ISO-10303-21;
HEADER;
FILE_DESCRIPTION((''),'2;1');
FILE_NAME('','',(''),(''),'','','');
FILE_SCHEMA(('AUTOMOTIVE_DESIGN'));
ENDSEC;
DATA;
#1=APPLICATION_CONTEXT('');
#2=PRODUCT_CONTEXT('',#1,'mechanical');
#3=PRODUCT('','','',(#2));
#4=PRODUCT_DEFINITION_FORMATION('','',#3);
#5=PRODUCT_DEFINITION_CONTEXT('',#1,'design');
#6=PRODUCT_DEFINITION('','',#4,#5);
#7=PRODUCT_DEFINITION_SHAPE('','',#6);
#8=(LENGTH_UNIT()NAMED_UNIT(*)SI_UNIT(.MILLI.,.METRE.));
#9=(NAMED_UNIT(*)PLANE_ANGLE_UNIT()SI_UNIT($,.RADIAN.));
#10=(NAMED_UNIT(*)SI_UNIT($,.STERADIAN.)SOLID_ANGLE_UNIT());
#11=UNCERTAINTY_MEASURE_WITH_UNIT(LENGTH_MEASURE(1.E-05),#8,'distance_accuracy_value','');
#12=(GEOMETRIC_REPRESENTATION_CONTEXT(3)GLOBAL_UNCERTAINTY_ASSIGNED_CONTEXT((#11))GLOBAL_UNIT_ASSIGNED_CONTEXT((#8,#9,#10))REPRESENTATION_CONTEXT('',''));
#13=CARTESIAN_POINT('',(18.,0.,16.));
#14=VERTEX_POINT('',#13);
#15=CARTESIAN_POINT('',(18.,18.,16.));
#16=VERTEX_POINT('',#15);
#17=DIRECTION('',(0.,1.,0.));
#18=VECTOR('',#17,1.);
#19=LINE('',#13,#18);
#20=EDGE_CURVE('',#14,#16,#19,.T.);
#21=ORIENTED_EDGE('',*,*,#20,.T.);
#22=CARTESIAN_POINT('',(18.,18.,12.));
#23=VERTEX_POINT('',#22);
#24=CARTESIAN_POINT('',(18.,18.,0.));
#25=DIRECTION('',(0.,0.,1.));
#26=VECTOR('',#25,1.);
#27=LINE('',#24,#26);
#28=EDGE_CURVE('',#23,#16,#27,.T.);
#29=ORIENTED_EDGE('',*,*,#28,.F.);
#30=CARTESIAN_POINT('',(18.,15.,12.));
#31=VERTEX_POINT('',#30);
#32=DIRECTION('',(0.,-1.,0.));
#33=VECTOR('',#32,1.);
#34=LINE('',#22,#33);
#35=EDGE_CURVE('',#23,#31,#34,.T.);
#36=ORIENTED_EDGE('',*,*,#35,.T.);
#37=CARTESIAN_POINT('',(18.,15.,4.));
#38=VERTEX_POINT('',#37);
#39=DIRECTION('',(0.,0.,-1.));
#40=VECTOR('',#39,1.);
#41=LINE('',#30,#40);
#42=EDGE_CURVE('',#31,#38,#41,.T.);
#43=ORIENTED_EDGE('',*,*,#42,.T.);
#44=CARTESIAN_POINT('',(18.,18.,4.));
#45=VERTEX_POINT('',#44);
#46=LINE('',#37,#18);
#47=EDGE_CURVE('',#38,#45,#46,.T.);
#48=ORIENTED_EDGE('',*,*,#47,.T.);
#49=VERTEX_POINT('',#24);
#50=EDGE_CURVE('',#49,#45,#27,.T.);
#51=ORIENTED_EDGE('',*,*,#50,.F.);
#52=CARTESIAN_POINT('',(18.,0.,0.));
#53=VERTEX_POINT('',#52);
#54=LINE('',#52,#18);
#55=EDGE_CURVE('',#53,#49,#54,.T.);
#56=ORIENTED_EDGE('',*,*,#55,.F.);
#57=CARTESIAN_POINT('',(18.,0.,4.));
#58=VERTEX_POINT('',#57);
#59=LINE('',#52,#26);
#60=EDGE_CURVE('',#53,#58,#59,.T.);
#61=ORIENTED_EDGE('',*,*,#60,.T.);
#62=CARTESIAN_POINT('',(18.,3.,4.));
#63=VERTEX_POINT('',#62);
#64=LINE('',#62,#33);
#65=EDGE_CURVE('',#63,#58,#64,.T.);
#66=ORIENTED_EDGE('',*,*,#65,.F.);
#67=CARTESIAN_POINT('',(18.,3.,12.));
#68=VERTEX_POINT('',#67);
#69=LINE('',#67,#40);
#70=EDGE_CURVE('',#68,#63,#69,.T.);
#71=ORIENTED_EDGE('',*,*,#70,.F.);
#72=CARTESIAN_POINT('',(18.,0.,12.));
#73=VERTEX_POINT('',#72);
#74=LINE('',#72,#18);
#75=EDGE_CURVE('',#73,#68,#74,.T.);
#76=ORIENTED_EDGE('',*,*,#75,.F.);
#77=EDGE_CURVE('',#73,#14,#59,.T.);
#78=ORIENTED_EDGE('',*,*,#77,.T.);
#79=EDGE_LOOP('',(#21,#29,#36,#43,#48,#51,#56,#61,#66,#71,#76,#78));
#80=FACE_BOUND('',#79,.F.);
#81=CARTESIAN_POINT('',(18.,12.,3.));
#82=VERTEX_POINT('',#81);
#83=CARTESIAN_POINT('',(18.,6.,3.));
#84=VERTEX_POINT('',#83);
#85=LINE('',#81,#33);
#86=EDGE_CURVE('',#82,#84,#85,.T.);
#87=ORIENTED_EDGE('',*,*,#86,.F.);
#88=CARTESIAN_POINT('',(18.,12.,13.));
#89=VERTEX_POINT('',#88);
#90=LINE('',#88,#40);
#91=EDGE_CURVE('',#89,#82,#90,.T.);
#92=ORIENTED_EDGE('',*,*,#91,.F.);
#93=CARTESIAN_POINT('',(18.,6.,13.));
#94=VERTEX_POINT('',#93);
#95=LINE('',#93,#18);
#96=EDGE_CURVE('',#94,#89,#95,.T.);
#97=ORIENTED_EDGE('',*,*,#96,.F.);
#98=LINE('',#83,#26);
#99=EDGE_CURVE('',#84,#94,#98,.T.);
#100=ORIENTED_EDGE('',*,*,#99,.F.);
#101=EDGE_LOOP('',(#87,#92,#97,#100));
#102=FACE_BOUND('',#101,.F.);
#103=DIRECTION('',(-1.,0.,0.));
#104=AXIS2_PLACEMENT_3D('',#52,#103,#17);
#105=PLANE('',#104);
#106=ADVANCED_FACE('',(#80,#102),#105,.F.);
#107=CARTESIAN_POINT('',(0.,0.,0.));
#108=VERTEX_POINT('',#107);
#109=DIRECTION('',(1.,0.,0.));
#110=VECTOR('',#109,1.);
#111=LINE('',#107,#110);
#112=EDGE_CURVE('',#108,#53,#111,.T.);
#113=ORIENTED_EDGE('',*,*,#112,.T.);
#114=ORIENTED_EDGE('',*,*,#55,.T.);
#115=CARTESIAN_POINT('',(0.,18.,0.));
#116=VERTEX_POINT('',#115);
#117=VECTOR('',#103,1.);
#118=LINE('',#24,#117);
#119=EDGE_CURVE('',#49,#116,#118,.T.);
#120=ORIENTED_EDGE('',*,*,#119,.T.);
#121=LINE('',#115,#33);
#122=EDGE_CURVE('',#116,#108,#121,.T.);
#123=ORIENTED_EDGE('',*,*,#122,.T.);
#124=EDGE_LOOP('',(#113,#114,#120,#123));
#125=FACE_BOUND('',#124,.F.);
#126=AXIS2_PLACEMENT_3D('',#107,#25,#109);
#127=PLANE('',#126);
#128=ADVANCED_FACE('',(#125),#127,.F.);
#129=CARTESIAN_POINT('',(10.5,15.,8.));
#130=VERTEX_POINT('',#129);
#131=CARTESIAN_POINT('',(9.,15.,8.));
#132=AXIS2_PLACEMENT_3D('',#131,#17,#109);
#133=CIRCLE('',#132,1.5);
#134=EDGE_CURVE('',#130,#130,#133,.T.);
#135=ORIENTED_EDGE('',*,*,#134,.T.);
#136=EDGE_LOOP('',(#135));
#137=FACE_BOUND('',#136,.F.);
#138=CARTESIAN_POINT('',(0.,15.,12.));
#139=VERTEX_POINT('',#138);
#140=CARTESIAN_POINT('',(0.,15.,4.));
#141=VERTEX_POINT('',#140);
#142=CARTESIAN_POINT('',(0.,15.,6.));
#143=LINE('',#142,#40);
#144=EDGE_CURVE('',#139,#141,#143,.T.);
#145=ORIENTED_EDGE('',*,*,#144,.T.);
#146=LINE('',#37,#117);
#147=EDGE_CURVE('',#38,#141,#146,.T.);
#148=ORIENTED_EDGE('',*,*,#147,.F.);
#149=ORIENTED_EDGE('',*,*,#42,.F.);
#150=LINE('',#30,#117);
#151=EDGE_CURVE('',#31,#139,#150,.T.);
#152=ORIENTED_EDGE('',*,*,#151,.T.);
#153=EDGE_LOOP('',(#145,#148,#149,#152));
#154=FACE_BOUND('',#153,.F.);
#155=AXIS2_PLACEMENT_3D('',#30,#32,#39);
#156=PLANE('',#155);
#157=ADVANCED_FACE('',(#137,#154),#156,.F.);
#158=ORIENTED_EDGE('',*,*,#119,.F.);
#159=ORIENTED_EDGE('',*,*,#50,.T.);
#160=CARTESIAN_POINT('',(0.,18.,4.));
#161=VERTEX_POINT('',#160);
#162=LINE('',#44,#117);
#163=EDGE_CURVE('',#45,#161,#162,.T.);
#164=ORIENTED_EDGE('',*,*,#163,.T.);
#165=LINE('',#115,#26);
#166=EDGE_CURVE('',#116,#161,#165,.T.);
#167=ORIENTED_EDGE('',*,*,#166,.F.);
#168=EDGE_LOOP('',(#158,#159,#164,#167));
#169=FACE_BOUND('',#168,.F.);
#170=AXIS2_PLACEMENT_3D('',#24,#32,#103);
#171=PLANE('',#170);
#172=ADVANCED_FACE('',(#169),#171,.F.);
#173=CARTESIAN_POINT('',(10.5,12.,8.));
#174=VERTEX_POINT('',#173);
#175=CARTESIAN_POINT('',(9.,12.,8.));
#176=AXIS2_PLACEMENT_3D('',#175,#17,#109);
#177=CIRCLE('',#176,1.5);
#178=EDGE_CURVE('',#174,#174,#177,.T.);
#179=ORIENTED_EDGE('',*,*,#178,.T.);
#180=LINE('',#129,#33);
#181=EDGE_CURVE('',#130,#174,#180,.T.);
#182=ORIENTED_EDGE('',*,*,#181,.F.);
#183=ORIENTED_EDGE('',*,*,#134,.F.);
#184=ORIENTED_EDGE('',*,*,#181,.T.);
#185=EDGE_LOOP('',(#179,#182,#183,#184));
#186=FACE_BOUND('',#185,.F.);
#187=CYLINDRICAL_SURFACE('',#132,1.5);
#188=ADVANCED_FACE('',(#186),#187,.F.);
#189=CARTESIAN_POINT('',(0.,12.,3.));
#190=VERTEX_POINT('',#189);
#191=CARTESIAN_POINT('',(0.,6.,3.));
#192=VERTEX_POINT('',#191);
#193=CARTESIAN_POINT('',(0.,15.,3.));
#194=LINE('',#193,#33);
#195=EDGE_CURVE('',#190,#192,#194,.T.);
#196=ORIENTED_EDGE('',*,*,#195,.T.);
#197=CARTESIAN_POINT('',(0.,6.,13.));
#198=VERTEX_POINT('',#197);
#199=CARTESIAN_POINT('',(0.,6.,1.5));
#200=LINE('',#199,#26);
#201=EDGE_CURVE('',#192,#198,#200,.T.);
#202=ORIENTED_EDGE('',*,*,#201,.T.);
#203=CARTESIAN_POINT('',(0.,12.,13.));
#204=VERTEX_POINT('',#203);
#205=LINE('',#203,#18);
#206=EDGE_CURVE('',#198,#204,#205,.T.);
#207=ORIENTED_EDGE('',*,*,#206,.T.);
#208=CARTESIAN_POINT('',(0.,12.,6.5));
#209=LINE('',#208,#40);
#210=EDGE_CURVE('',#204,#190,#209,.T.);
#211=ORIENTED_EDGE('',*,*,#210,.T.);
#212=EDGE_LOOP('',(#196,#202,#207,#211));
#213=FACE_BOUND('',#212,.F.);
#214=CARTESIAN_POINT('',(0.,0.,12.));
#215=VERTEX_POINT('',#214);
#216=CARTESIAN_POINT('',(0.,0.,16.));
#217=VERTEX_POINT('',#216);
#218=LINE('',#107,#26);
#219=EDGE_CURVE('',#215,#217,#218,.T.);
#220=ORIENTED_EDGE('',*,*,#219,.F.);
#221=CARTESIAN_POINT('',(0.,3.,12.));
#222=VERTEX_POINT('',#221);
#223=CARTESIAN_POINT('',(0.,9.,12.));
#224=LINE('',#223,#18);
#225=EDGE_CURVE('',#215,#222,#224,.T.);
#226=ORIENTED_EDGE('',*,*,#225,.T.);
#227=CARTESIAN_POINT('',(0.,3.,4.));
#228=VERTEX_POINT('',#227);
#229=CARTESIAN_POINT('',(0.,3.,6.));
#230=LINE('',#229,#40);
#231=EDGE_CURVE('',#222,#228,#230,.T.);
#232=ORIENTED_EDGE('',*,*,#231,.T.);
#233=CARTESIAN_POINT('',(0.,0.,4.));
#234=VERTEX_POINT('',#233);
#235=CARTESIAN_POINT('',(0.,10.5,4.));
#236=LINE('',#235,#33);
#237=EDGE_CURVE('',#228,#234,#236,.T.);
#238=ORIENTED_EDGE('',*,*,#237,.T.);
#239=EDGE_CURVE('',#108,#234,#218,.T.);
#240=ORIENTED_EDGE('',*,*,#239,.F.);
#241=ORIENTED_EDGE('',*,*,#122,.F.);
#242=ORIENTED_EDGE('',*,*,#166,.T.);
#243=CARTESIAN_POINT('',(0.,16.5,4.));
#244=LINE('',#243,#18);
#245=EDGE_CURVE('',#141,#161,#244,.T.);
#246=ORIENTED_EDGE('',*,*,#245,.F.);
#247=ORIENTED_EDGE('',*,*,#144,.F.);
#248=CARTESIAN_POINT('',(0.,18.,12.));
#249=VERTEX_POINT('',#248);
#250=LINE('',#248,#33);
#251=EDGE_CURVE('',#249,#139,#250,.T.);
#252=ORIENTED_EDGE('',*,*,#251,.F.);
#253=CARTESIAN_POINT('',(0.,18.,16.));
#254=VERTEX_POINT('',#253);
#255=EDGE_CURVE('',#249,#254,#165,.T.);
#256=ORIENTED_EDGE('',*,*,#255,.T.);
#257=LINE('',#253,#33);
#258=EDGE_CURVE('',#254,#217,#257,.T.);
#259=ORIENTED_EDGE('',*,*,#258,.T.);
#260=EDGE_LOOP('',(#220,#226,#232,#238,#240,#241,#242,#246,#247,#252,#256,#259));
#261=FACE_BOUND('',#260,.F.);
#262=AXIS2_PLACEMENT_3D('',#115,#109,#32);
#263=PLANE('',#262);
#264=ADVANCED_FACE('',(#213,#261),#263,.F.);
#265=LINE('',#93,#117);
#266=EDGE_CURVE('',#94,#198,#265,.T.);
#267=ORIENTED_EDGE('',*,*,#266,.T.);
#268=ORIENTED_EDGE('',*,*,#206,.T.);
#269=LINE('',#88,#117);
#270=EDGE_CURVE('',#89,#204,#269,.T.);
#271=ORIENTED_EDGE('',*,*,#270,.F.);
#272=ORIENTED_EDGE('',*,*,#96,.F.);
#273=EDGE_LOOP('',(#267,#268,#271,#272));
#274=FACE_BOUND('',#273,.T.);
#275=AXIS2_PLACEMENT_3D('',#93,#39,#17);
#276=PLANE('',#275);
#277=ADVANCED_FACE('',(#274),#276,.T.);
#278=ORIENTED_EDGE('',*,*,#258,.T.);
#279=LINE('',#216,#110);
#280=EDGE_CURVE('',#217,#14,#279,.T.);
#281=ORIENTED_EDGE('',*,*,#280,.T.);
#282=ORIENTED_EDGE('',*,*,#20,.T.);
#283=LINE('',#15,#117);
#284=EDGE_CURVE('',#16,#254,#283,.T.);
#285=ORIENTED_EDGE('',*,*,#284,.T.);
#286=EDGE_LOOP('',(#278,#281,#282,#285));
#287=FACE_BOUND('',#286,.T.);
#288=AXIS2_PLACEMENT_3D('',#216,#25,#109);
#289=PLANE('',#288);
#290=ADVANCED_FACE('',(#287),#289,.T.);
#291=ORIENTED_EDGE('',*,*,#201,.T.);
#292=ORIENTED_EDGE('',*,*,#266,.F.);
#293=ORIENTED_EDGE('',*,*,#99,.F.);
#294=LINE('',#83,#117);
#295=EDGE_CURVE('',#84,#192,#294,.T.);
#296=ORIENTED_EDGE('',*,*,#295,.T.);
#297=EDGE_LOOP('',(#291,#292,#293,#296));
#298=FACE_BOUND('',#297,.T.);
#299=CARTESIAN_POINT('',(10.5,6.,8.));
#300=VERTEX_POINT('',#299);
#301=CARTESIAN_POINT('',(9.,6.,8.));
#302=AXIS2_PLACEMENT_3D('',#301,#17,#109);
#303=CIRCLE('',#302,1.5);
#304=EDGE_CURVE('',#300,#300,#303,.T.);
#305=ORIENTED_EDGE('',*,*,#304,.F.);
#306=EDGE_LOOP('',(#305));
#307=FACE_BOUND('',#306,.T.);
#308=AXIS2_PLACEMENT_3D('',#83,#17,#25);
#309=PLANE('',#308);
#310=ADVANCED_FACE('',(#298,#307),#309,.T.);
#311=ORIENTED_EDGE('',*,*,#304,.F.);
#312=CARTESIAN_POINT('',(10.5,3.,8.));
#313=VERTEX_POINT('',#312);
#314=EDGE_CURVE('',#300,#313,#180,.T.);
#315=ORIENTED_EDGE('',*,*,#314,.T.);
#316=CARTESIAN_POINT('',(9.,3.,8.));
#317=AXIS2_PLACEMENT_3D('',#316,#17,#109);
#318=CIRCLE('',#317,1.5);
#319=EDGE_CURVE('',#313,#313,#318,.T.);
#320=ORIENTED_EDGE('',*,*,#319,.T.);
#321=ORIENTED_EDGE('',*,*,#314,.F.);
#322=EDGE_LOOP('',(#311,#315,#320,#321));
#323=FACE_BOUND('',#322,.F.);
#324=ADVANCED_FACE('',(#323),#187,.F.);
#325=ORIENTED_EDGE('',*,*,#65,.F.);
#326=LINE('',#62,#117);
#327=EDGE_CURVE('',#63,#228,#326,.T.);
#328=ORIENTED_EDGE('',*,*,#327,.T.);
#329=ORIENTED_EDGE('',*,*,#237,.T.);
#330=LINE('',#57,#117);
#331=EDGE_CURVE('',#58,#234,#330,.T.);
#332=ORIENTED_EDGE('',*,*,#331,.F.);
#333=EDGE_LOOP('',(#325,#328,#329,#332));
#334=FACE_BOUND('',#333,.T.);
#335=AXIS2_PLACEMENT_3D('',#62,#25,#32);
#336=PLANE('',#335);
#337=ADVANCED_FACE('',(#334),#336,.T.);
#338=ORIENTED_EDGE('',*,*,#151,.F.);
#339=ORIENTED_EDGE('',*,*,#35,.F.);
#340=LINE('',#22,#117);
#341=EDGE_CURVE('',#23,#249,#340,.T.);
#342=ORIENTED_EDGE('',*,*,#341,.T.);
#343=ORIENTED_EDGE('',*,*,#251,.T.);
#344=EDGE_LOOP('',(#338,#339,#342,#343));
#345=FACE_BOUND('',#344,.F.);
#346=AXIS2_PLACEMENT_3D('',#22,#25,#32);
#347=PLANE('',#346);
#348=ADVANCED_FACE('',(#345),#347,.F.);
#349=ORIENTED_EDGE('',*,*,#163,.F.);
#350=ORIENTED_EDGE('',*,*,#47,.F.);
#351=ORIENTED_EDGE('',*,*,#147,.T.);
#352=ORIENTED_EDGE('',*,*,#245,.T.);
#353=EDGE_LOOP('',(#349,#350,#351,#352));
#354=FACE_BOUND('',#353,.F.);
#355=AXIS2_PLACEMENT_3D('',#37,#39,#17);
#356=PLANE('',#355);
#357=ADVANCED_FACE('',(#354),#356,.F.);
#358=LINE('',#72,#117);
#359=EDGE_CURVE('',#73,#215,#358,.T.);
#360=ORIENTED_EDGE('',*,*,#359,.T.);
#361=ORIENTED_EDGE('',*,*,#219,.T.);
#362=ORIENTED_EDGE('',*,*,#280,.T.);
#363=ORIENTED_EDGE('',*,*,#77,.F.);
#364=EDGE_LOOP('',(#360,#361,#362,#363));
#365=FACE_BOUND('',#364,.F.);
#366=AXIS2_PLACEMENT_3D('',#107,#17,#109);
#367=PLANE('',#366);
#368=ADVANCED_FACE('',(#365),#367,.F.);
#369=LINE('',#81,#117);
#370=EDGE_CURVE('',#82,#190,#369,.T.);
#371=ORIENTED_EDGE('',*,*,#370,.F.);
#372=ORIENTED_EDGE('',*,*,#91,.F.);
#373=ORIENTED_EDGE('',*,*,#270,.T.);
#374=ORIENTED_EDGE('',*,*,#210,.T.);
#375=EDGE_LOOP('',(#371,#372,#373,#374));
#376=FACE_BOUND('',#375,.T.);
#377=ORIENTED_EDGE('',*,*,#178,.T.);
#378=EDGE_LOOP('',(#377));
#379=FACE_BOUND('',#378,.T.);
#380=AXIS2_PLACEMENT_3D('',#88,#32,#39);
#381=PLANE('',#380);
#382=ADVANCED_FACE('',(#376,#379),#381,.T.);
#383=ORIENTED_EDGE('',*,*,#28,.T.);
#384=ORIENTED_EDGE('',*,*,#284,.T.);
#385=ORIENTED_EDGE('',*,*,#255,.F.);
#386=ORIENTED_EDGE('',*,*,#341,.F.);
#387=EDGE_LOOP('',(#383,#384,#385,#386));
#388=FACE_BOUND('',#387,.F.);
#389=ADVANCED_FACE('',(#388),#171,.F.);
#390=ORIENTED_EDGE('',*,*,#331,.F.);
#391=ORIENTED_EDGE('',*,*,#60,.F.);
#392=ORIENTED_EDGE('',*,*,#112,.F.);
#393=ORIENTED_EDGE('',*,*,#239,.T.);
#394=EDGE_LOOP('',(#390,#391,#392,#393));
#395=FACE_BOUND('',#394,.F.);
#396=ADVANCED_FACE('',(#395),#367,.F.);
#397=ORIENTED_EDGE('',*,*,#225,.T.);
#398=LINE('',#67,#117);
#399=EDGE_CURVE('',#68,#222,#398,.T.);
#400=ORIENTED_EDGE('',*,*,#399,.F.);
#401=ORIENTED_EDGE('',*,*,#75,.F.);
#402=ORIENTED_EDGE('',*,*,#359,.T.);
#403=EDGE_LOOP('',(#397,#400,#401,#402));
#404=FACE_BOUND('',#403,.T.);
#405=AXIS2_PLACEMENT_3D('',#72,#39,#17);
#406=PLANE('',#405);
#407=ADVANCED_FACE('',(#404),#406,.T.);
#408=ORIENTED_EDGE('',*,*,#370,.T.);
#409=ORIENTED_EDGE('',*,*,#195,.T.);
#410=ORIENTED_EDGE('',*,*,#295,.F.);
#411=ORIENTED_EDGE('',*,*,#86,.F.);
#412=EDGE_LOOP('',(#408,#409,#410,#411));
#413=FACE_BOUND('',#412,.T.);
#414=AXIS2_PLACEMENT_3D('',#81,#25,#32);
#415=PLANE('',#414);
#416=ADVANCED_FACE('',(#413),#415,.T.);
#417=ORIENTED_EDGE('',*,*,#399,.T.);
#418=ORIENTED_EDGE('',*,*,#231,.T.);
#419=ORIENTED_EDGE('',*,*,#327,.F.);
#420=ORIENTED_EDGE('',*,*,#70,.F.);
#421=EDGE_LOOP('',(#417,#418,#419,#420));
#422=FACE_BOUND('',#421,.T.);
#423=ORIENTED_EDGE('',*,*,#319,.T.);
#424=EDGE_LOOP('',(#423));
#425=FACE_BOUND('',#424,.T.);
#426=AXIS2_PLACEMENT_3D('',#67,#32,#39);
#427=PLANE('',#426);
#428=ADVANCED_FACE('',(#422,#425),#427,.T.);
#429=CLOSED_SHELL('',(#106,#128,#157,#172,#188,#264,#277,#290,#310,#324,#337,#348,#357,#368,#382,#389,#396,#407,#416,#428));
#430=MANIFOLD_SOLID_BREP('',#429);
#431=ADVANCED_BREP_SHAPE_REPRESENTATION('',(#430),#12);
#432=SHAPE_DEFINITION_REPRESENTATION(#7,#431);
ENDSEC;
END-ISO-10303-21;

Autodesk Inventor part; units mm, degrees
ref_plane "YZ Plane" through (0, 0, 0) normal (1, 0, 0) x (0, 1, 0)
ref_plane "XZ Plane" through (0, 0, 0) normal (0, 1, 0) x (-1, 0, 0)
ref_plane "XY Plane" through (0, 0, 0) normal (0, 0, 1) x (1, 0, 0)
sketch "Sketch1" plane through (0, 0, 0) normal (0, 0, 1) x (1, 0, 0)
  line L0 (0, 0) -> (18, 0)
  line L1 (18, 0) -> (18, 18)
  line L2 (18, 18) -> (0, 18)
  line L3 (0, 18) -> (0, 0)
  dimension "d0" = 18
  dimension "d1" = 18
extrude "Extrusion1" add sketch "Sketch1" along normal blind 16
sketch "Sketch2" plane through (18, 0, 0) normal (1, 0, 0) x (0, 0, -1)
  line L0 (-16, 0) -> (-12, 0)
  line L1 (0, 0) -> (-16, 0) projected
  line L2 (-12, 0) -> (-12, 3)
  line L3 (-12, 3) -> (-4, 3)
  line L4 (-4, 3) -> (-4, 0)
  line L5 (-16, 0) -> (-16, 18) projected
  line L6 (-16, 18) -> (-12, 18)
  line L7 (0, 18) -> (-16, 18) projected
  line L8 (-12, 15) -> (-4, 15)
  line L9 (-4, 15) -> (-4, 18)
  line L10 (-12, 18) -> (-12, 15)
  dimension "d4" = 4
  dimension "d5" = 3
  dimension "d6" = 8
  dimension "d7" = 4
  dimension "d8" = 8
  dimension "d9" = 3
extrude "Extrusion2" cut sketch "Sketch2" against normal through all
sketch "Sketch3" plane through (18, 0, 0) normal (1, 0, 0) x (0, 0, -1)
  line L0 (-13, 12) -> (-3, 12)
  line L1 (-3, 12) -> (-3, 6)
  line L2 (-3, 6) -> (-13, 6)
  line L3 (-13, 6) -> (-13, 12)
  line L4 (0, 0) -> (0, 18) projected
  line L5 (-16, 0) -> (-16, 18) projected
  line L6 (-4, 15) -> (-12, 15) projected
  line L7 (-12, 3) -> (-4, 3) projected
  dimension "d12" = 3
  dimension "d13" = 3
  dimension "d14" = 3
  dimension "d15" = 3
extrude "Extrusion3" cut sketch "Sketch3" against normal through all
sketch "Sketch4" plane through (18, 15, 12) normal (0, 1, 0) x (1, 0, 0)
  circle A0 centre (-9, 4) radius 1.5
  line L0 (-18, 8) -> (0, 8) projected
  line L1 (-18, 0) -> (-18, 8) projected
  point P0 (-18, 12)
  dimension "d18" = 3
  dimension "d19" = 4
  dimension "d20" = 9
extrude "Extrusion4" cut sketch "Sketch4" against normal through all
equation "\"d7\" = d4"
equation "\"d8\" = d6"
equation "\"d9\" = d5"
equation "\"d13\" = d12"
equation "\"d15\" = d14"
properties part number "BeamConnectionPoint"
